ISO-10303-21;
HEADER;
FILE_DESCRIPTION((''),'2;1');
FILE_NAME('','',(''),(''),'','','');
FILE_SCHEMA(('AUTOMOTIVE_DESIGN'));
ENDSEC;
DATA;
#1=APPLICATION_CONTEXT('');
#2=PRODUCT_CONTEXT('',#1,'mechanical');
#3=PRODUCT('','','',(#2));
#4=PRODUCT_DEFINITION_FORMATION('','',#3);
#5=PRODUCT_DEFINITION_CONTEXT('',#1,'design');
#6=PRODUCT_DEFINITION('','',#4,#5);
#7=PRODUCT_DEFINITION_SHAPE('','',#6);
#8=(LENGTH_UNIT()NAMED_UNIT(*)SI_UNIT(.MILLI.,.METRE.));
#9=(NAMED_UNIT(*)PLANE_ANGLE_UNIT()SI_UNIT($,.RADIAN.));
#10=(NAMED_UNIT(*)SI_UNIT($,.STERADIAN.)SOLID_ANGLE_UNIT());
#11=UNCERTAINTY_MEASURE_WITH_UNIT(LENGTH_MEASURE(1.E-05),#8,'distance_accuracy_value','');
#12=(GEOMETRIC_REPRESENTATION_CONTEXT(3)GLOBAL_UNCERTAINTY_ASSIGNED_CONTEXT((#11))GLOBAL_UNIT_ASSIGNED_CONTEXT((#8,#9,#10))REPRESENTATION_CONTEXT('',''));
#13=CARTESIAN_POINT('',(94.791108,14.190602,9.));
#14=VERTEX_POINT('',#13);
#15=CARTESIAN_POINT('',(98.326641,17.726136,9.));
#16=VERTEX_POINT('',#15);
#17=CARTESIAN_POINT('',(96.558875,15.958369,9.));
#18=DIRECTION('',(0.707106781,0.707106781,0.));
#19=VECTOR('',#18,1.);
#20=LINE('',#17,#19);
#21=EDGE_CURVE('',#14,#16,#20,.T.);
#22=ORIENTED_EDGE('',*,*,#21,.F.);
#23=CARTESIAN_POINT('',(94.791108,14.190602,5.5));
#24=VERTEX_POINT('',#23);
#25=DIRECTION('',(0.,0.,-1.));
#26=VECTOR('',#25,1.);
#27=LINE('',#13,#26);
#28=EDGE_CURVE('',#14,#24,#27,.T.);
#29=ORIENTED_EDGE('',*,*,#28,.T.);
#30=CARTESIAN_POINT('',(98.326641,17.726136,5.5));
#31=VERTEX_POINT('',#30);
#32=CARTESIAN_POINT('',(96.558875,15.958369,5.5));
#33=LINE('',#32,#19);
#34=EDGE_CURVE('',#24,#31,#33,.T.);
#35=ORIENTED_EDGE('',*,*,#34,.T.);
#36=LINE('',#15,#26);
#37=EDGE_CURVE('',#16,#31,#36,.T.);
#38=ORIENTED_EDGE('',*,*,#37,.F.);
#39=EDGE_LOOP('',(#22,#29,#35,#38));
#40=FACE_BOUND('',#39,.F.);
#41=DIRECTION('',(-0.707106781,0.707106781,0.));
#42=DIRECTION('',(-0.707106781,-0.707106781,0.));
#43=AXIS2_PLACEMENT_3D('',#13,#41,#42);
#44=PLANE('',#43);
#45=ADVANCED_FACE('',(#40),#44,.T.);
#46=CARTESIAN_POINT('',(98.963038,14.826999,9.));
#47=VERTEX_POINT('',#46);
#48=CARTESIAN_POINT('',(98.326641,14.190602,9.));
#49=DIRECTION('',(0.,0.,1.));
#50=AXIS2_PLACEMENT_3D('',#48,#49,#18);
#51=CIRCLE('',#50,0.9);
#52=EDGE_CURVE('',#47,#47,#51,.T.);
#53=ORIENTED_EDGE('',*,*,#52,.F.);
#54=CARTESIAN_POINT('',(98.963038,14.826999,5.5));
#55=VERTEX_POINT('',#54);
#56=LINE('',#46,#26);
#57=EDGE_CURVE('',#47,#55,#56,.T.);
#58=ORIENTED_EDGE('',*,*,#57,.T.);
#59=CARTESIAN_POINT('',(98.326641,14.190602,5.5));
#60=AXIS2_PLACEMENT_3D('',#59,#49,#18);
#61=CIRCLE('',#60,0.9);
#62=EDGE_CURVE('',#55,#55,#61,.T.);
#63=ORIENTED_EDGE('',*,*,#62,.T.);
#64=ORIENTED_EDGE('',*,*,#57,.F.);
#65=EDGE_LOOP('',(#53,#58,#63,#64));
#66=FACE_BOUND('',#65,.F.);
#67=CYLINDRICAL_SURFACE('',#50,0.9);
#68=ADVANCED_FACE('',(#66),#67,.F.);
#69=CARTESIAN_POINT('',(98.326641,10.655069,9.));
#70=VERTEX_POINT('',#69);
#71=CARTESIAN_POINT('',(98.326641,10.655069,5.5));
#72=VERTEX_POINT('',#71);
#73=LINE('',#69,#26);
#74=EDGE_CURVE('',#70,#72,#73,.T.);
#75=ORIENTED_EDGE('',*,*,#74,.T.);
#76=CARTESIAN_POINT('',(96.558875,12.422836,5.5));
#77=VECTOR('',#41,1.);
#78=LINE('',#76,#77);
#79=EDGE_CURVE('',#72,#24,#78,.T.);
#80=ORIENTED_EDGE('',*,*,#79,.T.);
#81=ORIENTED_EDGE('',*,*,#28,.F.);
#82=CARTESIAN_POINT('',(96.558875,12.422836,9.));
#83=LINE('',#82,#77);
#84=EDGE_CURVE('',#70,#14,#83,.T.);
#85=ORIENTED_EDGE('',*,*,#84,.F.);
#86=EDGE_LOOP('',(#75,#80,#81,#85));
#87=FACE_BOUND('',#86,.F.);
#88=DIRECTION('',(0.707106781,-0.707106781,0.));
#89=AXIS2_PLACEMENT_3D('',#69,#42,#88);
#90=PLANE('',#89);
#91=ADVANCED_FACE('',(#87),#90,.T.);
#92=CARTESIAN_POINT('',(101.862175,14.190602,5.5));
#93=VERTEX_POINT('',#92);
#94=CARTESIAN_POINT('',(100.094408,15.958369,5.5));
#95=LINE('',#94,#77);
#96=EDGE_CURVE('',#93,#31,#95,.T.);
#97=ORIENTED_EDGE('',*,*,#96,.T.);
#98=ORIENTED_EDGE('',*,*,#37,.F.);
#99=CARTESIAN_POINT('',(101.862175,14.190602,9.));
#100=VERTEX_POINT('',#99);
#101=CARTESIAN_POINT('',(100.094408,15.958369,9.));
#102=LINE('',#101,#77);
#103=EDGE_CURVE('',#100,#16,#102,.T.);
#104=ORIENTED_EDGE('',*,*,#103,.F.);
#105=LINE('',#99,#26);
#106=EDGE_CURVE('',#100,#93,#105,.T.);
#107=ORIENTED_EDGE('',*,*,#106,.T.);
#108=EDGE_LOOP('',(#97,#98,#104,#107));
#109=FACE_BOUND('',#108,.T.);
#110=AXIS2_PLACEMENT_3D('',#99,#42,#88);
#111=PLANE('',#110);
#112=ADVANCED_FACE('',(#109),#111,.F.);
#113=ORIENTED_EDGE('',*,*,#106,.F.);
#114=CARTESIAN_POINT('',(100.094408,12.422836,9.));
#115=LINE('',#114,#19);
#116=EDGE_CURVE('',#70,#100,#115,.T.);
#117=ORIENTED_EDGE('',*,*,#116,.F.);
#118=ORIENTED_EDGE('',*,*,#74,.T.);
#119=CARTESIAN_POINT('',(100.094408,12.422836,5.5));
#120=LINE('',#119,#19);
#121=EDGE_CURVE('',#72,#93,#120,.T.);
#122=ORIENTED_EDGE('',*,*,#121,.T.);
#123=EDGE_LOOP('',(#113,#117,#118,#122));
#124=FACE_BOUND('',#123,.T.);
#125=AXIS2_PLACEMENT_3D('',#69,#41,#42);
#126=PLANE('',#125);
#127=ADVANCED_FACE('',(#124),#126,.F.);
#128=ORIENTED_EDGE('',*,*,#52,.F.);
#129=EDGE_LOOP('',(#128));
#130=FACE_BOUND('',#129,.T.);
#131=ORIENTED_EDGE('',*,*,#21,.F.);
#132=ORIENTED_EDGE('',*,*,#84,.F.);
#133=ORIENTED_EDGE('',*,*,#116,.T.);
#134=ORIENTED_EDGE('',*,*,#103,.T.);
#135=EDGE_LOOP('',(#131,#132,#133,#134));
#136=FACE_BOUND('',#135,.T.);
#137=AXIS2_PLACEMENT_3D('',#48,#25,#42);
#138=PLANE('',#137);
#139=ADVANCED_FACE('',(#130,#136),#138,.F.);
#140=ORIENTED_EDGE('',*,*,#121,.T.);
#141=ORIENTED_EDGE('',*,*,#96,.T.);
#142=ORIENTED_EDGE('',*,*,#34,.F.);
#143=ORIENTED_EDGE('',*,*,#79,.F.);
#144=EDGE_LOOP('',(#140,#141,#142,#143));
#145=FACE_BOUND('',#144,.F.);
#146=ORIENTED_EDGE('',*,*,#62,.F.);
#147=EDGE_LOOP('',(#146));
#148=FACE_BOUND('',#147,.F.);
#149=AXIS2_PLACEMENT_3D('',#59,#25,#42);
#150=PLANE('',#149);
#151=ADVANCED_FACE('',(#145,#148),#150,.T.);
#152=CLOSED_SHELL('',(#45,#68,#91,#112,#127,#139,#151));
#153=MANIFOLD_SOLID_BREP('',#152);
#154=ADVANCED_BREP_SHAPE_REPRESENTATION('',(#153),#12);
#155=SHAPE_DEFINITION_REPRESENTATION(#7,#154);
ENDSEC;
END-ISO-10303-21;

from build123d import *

# Parameters (mm, degrees)
CYLINDER012_R            = 0.9
CYLINDER012_DEPTH        = 3.5
BOX039_W                 = 5
BOX039_H                 = 5
BOX039_DEPTH             = 3.5
CLONE011_PLACEMENT_ANGLE = 45


with BuildPart() as anchorscrew:
    # Cylinder012 → Cylinder012 (new body)
    with BuildSketch(Plane(origin=(2.5, 2.5, 0), x_dir=(1, 0, 0), z_dir=(0, 0, 1))):
        Circle(CYLINDER012_R)
    extrude(amount=CYLINDER012_DEPTH)


with BuildPart() as anchor006:
    # Box039 → Box039 (new body)
    with BuildSketch(Plane.XY):
        with Locations((2.5, 2.5)):
            Rectangle(BOX039_W, BOX039_H)
    extrude(amount=BOX039_DEPTH)

    # Cut010: cut AnchorScrew
    add(anchorscrew.part, mode=Mode.SUBTRACT)


with BuildPart() as anchor006_1:
    # Clone011 placement: moved
    add(anchor006.part.moved(Location((98.326641456, 10.6550685808, 2))).rotate(Axis((98.326641456, 10.6550685808, 2), (0, 0, 1)), CLONE011_PLACEMENT_ANGLE))


with BuildPart() as part_mirroring010:
    # Part__Mirroring010: instance of Anchor006
    add(anchor006_1.part.mirror(Plane(origin=(0, 0, 5.5), x_dir=(0, 1, 0), z_dir=(0, 0, 1))))


solid = part_mirroring010.part
